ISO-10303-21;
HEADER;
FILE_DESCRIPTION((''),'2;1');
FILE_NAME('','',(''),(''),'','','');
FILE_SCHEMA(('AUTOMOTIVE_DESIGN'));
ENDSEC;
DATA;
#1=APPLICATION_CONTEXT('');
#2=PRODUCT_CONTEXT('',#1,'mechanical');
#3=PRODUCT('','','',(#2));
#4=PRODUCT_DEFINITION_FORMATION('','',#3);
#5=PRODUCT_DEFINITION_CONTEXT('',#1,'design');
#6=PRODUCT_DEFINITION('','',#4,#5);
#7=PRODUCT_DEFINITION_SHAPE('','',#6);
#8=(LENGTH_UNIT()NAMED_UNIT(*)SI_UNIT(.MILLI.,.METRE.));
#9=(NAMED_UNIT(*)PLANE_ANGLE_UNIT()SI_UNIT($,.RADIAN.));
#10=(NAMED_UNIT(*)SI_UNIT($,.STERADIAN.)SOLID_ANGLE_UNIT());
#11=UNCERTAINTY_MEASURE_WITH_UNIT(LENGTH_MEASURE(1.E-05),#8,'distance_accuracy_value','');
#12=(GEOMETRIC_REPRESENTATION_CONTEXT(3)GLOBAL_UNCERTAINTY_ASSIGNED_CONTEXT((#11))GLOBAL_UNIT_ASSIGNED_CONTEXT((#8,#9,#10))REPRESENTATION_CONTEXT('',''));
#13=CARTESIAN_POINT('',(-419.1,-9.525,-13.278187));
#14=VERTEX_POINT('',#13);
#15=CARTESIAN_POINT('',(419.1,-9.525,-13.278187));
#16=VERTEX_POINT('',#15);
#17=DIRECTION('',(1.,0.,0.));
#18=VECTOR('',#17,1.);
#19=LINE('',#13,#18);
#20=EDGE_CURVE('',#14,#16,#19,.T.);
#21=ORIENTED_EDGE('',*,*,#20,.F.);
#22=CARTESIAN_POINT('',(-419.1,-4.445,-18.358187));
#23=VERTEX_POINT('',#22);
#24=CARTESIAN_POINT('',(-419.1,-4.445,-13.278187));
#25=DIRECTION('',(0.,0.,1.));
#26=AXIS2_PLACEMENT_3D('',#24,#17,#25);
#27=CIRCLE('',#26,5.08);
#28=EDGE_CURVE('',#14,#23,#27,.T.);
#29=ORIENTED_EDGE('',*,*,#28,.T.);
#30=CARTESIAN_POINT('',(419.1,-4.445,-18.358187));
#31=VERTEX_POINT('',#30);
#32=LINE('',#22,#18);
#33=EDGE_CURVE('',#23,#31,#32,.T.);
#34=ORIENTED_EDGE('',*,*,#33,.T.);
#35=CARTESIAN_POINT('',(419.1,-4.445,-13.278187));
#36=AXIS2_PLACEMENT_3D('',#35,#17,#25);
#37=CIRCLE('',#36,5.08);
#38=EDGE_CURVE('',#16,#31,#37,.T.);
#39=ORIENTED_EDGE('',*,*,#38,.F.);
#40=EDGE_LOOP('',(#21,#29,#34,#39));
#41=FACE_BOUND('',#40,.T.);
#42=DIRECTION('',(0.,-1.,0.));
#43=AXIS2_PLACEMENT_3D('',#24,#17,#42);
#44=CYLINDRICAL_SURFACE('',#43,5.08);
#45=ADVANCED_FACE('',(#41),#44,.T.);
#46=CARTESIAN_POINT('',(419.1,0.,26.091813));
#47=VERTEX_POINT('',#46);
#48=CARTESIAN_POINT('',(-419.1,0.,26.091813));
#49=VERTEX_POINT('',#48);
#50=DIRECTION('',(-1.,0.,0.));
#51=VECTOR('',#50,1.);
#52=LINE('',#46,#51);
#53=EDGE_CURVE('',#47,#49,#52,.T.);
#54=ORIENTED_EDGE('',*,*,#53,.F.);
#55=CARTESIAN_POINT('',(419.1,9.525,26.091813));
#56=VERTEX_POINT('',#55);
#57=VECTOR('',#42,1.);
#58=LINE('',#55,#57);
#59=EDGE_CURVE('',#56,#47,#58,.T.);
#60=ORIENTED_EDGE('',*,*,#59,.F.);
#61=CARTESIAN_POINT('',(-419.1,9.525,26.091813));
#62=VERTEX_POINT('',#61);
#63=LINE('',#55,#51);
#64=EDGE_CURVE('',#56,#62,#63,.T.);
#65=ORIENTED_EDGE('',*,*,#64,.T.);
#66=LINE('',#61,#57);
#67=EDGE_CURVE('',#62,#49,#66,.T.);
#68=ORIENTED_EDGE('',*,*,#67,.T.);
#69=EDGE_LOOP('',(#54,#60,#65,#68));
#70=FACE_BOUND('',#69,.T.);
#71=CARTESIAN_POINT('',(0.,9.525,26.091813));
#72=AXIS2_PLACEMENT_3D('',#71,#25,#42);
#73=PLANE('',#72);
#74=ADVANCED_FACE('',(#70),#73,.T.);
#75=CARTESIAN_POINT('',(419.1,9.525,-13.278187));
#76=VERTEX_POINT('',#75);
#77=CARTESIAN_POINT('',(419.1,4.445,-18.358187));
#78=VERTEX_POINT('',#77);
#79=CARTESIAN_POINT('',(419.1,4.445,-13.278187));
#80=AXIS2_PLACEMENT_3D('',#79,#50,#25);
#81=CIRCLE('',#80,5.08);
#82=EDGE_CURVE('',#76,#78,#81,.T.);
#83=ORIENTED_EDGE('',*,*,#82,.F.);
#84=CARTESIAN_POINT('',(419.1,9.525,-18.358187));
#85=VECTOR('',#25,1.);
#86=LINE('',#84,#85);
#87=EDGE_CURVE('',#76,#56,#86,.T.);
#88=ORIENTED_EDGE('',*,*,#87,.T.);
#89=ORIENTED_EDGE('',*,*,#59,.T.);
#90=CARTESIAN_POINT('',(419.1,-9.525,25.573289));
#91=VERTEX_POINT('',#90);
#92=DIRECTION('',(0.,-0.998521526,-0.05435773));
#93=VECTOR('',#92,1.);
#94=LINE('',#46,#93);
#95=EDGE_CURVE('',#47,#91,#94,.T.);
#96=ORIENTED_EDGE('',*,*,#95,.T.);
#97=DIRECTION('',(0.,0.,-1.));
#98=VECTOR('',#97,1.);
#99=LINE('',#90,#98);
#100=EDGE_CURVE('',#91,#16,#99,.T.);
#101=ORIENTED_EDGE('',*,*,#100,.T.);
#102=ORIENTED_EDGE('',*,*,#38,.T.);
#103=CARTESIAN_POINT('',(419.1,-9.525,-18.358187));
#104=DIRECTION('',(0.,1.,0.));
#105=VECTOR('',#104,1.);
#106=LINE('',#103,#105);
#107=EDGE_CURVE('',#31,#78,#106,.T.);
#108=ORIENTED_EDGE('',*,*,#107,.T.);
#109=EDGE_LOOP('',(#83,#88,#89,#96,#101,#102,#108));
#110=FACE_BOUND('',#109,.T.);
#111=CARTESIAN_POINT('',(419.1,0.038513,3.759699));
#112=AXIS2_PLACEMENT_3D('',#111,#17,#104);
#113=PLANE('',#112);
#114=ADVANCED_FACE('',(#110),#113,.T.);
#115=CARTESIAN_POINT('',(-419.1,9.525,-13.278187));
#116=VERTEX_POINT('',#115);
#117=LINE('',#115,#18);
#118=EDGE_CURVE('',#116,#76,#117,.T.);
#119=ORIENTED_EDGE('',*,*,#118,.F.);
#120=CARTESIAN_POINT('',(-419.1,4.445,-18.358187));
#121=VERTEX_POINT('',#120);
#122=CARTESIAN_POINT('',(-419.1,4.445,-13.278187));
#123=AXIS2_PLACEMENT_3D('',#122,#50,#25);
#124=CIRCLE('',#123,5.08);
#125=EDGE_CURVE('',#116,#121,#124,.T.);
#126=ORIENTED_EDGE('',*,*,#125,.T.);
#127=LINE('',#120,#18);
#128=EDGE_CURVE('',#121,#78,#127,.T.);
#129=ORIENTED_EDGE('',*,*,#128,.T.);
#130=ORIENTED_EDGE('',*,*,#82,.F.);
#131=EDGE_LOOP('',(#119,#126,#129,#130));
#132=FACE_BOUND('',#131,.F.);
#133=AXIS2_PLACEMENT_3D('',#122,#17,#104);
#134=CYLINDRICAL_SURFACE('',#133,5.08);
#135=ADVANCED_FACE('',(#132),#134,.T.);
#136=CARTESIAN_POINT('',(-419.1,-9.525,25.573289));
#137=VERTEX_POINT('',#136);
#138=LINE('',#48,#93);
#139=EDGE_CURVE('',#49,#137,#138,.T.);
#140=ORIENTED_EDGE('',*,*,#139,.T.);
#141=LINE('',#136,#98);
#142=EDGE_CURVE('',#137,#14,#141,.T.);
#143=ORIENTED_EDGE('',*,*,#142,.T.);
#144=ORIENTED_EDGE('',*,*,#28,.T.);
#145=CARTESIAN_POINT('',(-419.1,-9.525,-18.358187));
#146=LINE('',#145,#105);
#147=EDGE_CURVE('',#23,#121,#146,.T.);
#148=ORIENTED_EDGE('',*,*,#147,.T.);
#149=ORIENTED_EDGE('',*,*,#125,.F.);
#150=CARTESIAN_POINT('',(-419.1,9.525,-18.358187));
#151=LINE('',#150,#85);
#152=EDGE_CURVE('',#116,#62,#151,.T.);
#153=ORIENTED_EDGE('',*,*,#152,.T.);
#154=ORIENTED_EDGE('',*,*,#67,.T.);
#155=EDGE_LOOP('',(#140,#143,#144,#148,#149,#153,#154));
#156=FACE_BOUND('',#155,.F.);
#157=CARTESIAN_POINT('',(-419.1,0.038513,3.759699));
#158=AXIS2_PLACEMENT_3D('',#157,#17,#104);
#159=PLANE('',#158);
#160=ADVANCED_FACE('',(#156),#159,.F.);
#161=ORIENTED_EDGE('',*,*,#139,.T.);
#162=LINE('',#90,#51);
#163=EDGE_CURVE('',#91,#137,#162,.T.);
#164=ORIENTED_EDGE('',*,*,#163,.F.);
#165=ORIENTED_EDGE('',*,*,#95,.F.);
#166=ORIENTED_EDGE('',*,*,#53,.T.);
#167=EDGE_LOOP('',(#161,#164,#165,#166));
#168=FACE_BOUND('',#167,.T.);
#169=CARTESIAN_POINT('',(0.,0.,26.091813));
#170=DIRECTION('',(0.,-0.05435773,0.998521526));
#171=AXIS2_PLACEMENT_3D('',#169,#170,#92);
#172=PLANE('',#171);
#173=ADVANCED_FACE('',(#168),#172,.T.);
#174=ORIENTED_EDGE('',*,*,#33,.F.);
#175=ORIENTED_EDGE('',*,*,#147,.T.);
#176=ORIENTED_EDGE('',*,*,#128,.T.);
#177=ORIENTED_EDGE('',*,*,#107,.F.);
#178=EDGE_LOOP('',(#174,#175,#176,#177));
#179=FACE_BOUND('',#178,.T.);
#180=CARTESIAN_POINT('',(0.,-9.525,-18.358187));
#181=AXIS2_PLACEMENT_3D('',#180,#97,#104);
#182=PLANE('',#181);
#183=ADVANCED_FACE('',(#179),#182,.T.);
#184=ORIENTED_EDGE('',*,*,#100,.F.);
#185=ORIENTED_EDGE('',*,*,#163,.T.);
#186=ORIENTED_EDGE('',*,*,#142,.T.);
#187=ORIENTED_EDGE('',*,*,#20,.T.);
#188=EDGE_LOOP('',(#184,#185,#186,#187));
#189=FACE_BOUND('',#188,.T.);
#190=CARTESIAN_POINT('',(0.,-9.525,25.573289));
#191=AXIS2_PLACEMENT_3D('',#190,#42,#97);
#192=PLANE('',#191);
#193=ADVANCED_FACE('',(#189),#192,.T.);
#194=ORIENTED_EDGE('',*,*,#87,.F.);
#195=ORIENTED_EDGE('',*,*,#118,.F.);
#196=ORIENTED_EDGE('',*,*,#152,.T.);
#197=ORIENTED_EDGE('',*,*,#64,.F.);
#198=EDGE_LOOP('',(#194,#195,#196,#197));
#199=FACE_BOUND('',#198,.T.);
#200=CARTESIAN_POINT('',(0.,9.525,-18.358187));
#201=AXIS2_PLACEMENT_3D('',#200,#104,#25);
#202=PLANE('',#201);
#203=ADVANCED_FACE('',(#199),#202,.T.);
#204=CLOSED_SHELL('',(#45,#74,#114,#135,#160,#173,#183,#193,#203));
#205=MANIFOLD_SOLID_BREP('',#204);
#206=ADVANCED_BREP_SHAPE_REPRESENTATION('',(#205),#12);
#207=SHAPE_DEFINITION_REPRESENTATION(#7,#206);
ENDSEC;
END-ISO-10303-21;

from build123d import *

# Parameters (mm, degrees)
F1_DEPTH      = 419.1
F1_DEPTH_BACK = 419.1
F2_R          = 5.08


with BuildPart() as f1:
    # F0 (on Right) → F1 (new body, two sides)
    with BuildSketch(Plane.YZ) as f1_sk:
        Polygon((-9.525, 25.573289), (-9.525, -18.358187), (9.525, -18.358187), (9.525, 26.091813), (0, 26.091813), align=None)
    extrude(amount=F1_DEPTH)
    extrude(f1_sk.sketch, amount=-F1_DEPTH_BACK)

    # F2
    f2_edges = [f1.edges().sort_by_distance(p)[0] for p in [
        (0, -9.525, -18.358187),
        (0, 9.525, -18.358187),
    ]]
    fillet(f2_edges, radius=F2_R)


solid = f1.part
